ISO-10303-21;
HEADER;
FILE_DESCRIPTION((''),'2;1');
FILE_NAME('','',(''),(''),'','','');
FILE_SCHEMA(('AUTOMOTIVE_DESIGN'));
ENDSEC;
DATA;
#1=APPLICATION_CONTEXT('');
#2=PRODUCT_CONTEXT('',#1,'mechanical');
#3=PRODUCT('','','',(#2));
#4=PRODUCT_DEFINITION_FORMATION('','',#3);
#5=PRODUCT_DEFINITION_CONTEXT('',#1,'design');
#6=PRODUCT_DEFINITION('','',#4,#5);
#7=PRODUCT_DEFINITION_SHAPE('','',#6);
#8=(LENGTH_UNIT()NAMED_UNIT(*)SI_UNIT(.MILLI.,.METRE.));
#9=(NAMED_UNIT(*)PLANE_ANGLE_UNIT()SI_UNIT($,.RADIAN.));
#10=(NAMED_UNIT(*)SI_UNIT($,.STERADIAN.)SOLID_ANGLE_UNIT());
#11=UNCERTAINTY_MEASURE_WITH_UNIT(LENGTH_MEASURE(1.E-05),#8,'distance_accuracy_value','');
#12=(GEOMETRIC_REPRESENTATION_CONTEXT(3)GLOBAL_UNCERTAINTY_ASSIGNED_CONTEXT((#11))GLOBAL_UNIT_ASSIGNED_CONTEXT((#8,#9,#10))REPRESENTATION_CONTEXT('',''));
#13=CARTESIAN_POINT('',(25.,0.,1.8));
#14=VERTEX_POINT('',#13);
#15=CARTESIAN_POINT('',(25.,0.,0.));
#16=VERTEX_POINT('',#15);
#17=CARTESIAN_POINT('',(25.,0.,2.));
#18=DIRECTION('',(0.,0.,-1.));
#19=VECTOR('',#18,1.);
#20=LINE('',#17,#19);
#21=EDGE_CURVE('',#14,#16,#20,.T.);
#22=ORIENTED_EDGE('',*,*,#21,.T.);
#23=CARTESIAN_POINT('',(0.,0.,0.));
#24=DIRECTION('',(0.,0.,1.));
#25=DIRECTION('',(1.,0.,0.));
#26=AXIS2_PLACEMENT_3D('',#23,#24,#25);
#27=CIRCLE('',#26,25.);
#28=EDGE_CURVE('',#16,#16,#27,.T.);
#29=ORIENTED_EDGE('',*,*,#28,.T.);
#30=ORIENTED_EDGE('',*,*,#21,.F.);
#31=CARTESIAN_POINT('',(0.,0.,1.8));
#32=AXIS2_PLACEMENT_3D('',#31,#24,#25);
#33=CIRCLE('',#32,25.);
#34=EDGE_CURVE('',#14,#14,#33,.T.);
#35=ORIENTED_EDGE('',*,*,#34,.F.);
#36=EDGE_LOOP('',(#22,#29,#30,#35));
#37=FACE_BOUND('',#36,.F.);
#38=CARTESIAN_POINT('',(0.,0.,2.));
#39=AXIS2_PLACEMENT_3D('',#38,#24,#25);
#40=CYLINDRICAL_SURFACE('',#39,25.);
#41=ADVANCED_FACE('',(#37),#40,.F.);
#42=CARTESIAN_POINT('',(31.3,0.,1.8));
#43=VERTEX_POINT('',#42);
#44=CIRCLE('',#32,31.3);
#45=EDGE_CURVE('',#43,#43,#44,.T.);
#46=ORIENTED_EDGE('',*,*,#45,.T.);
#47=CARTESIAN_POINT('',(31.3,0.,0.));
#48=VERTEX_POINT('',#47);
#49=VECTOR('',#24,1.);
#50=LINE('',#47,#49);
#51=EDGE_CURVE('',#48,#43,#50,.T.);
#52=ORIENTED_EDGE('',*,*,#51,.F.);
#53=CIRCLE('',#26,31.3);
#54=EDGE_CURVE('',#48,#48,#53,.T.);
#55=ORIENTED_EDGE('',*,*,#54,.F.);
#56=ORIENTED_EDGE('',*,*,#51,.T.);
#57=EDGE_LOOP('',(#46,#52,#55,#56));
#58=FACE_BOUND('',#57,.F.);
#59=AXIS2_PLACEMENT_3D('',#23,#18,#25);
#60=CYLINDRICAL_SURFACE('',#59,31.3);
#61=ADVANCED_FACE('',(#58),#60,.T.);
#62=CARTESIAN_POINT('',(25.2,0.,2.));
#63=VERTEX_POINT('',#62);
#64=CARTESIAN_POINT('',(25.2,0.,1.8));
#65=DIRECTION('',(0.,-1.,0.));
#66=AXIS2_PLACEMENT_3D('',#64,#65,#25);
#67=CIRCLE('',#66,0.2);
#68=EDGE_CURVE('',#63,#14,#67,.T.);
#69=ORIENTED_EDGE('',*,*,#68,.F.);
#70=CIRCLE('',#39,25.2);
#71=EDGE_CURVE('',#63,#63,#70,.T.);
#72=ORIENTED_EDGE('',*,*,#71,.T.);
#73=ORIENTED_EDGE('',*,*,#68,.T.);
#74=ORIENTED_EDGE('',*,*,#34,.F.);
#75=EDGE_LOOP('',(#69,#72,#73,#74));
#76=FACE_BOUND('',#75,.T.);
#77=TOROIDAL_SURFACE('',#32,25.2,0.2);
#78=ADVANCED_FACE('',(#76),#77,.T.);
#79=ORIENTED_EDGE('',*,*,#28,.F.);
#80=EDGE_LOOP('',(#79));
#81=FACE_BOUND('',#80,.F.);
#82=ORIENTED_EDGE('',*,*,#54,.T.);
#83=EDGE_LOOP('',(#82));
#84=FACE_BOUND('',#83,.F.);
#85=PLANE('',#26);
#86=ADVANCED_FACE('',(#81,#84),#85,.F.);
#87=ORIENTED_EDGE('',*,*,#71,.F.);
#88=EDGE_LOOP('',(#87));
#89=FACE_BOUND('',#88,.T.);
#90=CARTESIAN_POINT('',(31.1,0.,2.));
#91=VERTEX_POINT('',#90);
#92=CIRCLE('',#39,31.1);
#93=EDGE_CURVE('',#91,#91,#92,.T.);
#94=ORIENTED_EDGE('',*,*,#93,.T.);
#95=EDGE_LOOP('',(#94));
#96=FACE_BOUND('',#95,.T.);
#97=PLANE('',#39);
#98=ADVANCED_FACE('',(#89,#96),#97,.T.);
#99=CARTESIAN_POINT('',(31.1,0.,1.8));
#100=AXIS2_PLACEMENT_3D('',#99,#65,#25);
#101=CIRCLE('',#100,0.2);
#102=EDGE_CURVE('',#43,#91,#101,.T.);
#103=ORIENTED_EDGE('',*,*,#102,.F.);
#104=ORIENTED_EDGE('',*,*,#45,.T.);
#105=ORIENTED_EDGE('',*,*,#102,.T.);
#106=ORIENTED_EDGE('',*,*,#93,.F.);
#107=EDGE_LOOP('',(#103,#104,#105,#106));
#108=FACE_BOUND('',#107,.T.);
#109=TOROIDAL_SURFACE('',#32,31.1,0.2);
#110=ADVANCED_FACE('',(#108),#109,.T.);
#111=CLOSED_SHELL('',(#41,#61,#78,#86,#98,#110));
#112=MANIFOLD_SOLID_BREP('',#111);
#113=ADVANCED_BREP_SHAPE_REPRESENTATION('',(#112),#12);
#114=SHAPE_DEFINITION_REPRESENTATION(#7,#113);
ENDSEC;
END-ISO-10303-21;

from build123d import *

# Parameters (mm, degrees)
F0_R     = 31.3
F1_DEPTH = 2
F2_R     = 25
F3_DEPTH = 2
F4_R     = 0.2


with BuildPart() as f1:
    # F0 (on Top) → F1 (new body)
    with BuildSketch(Plane.XY):
        Circle(F0_R)
    extrude(amount=F1_DEPTH)

    # F2 (on face) → F3 (cut)
    with BuildSketch(Plane.XY.offset(2)):
        Circle(F2_R)
    extrude(amount=-F3_DEPTH, mode=Mode.SUBTRACT)

    # F4
    f4_edges = [f1.edges().sort_by_distance(p)[0] for p in [
        (-31.3, 0, 2),
        (-25, 0, 2),
    ]]
    fillet(f4_edges, radius=F4_R)


solid = f1.part
